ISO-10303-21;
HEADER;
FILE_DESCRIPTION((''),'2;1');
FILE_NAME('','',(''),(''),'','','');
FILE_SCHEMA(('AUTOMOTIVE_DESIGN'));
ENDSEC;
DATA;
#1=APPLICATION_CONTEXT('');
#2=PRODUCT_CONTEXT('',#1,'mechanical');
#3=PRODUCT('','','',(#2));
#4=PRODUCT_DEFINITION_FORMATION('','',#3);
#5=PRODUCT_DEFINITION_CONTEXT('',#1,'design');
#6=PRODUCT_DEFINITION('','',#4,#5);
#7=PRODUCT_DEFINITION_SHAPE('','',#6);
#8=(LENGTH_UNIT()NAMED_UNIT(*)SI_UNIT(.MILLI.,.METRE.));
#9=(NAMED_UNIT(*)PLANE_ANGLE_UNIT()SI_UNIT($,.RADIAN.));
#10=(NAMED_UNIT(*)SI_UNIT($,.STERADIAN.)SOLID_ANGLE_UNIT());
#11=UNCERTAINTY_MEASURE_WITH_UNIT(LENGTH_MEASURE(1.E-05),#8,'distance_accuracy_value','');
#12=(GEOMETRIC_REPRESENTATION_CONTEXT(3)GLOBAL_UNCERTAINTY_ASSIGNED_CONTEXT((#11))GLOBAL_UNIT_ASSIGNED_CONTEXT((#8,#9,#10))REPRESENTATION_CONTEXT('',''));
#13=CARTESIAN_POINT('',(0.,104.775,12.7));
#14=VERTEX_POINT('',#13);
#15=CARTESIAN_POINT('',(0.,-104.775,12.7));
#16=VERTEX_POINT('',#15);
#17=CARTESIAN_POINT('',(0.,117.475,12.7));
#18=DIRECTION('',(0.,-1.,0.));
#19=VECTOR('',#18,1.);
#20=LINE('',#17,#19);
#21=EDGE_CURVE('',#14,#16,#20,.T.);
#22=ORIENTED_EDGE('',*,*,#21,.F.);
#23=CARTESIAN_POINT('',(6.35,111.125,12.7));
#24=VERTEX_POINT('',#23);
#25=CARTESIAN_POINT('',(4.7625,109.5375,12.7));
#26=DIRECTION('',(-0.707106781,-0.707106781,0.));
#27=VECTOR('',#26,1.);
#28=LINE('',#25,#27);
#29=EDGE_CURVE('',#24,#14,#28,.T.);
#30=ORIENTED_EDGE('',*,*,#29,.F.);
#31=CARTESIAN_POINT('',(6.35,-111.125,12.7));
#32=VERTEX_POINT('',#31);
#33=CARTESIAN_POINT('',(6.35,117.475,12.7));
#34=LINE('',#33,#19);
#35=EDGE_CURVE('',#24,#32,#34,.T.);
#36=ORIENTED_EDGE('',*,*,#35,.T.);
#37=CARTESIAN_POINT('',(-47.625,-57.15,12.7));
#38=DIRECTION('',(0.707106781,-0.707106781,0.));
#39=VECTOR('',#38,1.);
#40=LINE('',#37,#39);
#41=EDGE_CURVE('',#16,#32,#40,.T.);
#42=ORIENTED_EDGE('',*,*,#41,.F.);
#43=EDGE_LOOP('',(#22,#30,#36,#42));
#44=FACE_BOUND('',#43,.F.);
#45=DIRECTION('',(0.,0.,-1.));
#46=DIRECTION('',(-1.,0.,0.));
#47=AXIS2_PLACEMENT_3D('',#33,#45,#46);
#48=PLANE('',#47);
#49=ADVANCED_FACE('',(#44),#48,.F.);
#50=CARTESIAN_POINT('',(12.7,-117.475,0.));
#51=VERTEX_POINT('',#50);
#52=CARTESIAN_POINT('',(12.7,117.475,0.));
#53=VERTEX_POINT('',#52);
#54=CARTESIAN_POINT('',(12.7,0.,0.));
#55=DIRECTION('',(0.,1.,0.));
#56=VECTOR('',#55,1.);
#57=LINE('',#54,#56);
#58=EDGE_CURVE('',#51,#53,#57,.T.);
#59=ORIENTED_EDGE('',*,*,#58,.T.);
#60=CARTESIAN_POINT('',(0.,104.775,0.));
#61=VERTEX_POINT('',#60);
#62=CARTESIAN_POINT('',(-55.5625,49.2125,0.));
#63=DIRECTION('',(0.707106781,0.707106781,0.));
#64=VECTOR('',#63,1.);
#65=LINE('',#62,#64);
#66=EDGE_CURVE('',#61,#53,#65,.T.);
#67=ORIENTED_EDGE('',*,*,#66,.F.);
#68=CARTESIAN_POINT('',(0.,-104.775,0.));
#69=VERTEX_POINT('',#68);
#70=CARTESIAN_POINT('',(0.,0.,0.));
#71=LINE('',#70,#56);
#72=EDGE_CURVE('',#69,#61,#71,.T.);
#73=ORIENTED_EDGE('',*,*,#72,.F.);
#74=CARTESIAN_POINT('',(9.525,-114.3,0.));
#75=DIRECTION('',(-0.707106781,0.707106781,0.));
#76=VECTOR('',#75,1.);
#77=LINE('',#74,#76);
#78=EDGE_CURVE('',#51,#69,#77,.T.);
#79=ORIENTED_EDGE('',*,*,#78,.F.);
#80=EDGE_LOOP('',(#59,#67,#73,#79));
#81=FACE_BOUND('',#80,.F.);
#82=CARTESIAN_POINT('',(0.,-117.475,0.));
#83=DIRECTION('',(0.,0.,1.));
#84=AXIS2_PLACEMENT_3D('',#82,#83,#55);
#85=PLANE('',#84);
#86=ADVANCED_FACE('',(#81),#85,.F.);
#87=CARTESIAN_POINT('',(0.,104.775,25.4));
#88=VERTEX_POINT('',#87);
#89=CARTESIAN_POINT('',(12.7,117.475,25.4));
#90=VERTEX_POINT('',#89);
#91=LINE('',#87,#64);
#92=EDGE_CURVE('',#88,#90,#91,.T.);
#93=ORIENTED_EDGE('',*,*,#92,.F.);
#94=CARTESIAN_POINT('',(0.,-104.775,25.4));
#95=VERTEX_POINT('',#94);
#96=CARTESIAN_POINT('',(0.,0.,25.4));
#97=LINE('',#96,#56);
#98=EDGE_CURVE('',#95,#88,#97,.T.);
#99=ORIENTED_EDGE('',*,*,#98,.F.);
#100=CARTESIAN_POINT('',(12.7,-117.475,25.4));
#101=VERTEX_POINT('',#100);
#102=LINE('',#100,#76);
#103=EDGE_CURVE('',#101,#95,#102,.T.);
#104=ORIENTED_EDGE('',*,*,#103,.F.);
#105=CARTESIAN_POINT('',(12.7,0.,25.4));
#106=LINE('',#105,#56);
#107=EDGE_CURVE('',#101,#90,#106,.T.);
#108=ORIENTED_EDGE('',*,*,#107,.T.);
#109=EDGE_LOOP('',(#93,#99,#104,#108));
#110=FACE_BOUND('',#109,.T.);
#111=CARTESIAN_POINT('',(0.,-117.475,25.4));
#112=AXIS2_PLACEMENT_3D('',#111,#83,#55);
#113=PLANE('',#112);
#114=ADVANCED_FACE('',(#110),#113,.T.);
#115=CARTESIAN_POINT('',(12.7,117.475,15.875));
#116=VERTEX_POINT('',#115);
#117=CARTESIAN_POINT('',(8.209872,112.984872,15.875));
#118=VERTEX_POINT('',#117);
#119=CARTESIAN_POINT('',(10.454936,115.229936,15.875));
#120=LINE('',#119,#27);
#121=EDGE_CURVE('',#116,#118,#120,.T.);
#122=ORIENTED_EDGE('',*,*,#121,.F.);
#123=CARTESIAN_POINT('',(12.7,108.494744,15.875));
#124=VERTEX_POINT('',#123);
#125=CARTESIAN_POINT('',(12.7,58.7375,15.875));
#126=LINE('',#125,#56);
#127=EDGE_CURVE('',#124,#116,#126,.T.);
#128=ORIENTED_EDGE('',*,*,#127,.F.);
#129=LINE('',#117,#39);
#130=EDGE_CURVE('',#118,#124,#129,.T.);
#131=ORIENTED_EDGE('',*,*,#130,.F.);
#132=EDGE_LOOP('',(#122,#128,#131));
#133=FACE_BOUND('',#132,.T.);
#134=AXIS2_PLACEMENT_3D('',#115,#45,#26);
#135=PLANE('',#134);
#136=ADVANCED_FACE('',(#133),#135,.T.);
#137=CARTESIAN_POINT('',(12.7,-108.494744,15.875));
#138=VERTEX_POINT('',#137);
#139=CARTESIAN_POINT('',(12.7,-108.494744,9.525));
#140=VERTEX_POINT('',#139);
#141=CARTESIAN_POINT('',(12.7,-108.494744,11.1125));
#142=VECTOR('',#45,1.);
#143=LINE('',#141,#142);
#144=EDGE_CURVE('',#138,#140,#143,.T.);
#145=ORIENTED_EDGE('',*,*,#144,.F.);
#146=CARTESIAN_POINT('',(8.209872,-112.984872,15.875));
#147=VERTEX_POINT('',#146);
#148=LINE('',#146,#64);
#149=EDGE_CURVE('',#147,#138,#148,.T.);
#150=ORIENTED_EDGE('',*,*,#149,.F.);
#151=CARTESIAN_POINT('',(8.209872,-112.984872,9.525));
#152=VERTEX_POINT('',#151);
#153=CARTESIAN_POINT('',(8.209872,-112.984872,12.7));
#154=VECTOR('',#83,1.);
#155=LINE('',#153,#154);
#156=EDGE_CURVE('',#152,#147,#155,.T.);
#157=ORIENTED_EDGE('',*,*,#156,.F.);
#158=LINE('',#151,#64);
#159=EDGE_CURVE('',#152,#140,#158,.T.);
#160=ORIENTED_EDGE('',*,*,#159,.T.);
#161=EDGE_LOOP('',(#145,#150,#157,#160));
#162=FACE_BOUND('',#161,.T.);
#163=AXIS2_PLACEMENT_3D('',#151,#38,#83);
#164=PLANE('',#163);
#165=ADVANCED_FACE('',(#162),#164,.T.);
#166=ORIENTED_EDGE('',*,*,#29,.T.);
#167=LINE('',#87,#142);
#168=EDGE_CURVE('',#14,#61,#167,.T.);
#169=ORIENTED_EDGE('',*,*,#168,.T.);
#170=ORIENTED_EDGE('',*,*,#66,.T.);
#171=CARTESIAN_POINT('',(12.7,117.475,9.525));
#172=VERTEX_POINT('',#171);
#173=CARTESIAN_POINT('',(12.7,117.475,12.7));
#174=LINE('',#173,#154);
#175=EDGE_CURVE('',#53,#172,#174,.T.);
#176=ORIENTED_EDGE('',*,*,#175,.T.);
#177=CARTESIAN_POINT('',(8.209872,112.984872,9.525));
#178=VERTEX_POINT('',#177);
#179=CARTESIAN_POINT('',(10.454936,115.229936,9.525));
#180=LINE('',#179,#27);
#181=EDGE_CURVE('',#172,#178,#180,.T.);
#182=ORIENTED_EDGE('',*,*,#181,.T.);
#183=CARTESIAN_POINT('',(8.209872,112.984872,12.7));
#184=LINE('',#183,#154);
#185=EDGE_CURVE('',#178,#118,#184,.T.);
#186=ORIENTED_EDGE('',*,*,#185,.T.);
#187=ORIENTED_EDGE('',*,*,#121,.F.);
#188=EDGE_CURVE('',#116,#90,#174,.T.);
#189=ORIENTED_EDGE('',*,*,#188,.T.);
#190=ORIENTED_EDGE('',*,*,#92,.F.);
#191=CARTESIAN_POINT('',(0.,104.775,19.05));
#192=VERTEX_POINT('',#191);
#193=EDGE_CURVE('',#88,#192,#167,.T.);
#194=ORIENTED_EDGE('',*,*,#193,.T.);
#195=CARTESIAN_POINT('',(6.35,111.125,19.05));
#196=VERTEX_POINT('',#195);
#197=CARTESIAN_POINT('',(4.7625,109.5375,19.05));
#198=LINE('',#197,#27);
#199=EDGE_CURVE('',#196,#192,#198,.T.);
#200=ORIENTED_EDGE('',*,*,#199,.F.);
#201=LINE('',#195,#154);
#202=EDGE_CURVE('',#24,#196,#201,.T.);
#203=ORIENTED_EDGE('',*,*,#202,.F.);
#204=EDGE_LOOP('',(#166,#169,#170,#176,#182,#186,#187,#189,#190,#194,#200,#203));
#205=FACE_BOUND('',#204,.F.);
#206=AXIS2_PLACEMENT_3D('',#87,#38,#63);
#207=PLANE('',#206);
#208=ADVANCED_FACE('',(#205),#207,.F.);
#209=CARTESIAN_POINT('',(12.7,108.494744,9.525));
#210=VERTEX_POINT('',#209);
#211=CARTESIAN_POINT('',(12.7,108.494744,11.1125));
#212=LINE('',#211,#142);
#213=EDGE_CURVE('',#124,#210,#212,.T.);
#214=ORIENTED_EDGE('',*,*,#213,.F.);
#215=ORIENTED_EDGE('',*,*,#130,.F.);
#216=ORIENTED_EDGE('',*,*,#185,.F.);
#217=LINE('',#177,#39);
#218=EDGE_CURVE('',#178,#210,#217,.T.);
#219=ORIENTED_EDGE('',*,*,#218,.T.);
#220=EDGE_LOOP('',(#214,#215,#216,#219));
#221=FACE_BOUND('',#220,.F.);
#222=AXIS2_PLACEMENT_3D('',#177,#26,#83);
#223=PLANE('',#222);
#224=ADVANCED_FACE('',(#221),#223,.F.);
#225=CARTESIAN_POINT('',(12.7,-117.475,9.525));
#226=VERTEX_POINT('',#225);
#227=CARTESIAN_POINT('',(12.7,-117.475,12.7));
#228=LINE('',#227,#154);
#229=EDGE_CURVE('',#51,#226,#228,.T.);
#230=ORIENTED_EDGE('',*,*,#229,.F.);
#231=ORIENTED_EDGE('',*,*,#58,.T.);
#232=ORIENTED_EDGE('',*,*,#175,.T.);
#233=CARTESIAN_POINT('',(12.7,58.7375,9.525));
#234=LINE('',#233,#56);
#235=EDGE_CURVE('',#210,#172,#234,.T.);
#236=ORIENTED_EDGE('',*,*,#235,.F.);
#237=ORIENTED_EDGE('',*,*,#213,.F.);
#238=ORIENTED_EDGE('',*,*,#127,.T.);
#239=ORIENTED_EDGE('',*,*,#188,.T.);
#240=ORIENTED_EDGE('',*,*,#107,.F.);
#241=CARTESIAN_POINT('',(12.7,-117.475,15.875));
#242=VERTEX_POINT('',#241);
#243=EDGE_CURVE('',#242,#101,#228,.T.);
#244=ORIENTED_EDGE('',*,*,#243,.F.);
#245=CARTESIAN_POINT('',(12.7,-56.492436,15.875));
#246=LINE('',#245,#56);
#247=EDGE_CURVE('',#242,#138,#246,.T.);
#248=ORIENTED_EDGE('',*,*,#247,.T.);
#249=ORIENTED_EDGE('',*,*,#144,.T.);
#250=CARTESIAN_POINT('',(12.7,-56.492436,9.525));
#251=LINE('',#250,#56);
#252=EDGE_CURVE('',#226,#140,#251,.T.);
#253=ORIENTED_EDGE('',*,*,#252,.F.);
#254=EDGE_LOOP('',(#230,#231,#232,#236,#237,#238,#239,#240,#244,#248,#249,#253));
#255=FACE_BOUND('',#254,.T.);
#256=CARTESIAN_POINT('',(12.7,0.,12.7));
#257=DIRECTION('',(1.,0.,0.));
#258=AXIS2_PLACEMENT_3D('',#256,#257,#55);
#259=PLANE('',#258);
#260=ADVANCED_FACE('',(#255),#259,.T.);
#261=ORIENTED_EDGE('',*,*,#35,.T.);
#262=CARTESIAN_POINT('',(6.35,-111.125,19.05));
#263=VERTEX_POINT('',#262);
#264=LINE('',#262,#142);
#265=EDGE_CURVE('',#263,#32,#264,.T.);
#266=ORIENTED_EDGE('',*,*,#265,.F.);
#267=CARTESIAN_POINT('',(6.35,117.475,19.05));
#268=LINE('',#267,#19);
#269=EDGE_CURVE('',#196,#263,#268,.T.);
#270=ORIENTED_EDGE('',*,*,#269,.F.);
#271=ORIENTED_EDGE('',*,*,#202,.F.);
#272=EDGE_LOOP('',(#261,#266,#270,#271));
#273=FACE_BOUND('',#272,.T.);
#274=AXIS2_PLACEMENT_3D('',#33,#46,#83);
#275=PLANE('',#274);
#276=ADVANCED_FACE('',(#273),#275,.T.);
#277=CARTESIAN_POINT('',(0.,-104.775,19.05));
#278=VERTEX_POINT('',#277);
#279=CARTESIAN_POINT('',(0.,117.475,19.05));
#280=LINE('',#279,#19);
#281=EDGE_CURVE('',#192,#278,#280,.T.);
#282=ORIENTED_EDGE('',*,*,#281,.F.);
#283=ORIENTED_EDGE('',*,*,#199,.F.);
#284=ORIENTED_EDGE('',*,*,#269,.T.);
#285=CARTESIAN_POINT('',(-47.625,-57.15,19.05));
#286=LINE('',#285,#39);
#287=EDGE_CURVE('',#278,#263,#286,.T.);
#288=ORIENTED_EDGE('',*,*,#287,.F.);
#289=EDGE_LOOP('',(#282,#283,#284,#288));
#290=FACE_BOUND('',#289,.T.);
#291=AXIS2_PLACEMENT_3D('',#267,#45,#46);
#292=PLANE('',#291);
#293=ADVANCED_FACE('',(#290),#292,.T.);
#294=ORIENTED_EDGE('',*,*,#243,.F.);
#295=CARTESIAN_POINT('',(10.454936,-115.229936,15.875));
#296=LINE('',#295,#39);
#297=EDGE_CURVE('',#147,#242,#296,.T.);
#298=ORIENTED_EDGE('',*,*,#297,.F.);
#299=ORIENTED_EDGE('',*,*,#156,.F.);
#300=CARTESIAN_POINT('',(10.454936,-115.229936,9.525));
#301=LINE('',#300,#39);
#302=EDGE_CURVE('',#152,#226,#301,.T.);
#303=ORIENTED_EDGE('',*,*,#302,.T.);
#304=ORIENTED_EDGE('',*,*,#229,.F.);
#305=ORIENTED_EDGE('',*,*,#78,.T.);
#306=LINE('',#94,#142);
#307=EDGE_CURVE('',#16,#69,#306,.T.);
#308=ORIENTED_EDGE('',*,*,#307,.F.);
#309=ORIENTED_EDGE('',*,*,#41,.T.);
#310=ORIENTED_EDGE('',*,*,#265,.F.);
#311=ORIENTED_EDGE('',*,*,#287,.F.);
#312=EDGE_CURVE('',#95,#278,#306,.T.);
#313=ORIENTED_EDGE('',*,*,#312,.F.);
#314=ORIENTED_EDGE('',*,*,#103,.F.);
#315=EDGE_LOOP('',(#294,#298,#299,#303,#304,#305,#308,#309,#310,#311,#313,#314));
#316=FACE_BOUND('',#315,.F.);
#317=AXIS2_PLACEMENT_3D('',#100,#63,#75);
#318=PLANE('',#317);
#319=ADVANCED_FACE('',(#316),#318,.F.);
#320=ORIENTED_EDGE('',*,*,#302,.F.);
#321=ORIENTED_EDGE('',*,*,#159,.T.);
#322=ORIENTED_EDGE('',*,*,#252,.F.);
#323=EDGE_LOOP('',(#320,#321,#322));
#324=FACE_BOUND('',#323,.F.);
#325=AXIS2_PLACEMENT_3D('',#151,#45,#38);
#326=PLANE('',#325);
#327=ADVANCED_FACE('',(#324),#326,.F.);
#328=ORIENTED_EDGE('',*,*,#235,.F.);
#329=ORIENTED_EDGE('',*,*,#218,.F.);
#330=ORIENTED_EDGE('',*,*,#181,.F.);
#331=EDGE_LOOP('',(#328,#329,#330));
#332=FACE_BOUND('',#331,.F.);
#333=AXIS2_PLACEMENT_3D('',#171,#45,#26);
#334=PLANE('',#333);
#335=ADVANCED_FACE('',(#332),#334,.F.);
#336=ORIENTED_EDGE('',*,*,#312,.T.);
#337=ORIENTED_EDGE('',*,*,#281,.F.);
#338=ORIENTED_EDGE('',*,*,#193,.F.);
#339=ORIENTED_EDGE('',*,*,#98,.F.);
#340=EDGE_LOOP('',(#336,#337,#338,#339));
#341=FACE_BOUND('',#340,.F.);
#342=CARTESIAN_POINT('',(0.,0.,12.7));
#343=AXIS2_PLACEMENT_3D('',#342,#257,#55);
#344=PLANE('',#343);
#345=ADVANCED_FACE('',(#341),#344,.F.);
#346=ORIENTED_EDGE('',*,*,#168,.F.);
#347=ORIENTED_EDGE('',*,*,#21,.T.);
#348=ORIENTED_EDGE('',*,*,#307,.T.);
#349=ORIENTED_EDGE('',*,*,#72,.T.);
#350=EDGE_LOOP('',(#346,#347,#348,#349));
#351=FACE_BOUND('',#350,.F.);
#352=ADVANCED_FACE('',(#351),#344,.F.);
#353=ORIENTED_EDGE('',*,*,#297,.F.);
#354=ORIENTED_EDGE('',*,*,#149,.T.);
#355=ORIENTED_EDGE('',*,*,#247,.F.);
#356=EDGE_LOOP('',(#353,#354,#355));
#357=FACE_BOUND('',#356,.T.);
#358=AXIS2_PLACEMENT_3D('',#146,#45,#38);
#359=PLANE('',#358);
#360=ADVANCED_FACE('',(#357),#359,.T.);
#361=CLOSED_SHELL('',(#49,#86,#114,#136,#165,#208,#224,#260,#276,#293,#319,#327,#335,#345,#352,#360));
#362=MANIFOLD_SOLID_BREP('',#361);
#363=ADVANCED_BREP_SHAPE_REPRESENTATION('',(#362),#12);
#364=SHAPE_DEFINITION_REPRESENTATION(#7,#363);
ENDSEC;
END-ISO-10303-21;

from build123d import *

# Parameters (mm, degrees)
F0_W     = 234.95
F0_H     = 25.4
F1_DEPTH = 12.7
F2_W     = 6.35
F2_H     = 6.35
F3_DEPTH = 234.951
F5_DEPTH = 25.401
F6_W     = 6.35
F6_H     = 6.35
F7_DEPTH = 166.135738
F8_W     = 6.35
F8_H     = 6.35
F9_DEPTH = 166.135738


with BuildPart() as f1:
    # F0 (on Right) → F1 (new body)
    with BuildSketch(Plane.YZ):
        with Locations((0, 12.7)):
            Rectangle(F0_W, F0_H)
    extrude(amount=F1_DEPTH)

    # F2 (on face) → F3 (cut, through all)
    with BuildSketch(Plane(origin=(0, 117.475, 0), x_dir=(-1, 0, 0), z_dir=(0, 1, 0))):
        with Locations((-3.175, 15.875)):
            Rectangle(F2_W, F2_H)
    extrude(amount=-F3_DEPTH, mode=Mode.SUBTRACT)

    # F4 (on face) → F5 (cut, through all)
    with BuildSketch(Plane.XY.offset(25.4)):
        Polygon((0, 117.475), (0, 104.775), (12.7, 117.475), align=None)
        Polygon((12.7, -117.475), (0, -104.775), (0, -117.475), align=None)
    extrude(amount=-F5_DEPTH, mode=Mode.SUBTRACT)

    # F6 (on face) → F7 (cut, through all)
    with BuildSketch(Plane(origin=(-52.3875, -52.3875, 0), x_dir=(0.707107, -0.707107, 0), z_dir=(-0.707107, -0.707107, 0))):
        with Locations((88.872625, 12.7)):
            Rectangle(F6_W, F6_H)
    extrude(amount=-F7_DEPTH, mode=Mode.SUBTRACT)

    # F8 (on face) → F9 (cut, through all)
    with BuildSketch(Plane(origin=(-52.3875, 52.3875, 0), x_dir=(-0.707107, -0.707107, 0), z_dir=(-0.707107, 0.707107, 0))):
        with Locations((-88.872625, 12.7)):
            Rectangle(F8_W, F8_H)
    extrude(amount=-F9_DEPTH, mode=Mode.SUBTRACT)


solid = f1.part
